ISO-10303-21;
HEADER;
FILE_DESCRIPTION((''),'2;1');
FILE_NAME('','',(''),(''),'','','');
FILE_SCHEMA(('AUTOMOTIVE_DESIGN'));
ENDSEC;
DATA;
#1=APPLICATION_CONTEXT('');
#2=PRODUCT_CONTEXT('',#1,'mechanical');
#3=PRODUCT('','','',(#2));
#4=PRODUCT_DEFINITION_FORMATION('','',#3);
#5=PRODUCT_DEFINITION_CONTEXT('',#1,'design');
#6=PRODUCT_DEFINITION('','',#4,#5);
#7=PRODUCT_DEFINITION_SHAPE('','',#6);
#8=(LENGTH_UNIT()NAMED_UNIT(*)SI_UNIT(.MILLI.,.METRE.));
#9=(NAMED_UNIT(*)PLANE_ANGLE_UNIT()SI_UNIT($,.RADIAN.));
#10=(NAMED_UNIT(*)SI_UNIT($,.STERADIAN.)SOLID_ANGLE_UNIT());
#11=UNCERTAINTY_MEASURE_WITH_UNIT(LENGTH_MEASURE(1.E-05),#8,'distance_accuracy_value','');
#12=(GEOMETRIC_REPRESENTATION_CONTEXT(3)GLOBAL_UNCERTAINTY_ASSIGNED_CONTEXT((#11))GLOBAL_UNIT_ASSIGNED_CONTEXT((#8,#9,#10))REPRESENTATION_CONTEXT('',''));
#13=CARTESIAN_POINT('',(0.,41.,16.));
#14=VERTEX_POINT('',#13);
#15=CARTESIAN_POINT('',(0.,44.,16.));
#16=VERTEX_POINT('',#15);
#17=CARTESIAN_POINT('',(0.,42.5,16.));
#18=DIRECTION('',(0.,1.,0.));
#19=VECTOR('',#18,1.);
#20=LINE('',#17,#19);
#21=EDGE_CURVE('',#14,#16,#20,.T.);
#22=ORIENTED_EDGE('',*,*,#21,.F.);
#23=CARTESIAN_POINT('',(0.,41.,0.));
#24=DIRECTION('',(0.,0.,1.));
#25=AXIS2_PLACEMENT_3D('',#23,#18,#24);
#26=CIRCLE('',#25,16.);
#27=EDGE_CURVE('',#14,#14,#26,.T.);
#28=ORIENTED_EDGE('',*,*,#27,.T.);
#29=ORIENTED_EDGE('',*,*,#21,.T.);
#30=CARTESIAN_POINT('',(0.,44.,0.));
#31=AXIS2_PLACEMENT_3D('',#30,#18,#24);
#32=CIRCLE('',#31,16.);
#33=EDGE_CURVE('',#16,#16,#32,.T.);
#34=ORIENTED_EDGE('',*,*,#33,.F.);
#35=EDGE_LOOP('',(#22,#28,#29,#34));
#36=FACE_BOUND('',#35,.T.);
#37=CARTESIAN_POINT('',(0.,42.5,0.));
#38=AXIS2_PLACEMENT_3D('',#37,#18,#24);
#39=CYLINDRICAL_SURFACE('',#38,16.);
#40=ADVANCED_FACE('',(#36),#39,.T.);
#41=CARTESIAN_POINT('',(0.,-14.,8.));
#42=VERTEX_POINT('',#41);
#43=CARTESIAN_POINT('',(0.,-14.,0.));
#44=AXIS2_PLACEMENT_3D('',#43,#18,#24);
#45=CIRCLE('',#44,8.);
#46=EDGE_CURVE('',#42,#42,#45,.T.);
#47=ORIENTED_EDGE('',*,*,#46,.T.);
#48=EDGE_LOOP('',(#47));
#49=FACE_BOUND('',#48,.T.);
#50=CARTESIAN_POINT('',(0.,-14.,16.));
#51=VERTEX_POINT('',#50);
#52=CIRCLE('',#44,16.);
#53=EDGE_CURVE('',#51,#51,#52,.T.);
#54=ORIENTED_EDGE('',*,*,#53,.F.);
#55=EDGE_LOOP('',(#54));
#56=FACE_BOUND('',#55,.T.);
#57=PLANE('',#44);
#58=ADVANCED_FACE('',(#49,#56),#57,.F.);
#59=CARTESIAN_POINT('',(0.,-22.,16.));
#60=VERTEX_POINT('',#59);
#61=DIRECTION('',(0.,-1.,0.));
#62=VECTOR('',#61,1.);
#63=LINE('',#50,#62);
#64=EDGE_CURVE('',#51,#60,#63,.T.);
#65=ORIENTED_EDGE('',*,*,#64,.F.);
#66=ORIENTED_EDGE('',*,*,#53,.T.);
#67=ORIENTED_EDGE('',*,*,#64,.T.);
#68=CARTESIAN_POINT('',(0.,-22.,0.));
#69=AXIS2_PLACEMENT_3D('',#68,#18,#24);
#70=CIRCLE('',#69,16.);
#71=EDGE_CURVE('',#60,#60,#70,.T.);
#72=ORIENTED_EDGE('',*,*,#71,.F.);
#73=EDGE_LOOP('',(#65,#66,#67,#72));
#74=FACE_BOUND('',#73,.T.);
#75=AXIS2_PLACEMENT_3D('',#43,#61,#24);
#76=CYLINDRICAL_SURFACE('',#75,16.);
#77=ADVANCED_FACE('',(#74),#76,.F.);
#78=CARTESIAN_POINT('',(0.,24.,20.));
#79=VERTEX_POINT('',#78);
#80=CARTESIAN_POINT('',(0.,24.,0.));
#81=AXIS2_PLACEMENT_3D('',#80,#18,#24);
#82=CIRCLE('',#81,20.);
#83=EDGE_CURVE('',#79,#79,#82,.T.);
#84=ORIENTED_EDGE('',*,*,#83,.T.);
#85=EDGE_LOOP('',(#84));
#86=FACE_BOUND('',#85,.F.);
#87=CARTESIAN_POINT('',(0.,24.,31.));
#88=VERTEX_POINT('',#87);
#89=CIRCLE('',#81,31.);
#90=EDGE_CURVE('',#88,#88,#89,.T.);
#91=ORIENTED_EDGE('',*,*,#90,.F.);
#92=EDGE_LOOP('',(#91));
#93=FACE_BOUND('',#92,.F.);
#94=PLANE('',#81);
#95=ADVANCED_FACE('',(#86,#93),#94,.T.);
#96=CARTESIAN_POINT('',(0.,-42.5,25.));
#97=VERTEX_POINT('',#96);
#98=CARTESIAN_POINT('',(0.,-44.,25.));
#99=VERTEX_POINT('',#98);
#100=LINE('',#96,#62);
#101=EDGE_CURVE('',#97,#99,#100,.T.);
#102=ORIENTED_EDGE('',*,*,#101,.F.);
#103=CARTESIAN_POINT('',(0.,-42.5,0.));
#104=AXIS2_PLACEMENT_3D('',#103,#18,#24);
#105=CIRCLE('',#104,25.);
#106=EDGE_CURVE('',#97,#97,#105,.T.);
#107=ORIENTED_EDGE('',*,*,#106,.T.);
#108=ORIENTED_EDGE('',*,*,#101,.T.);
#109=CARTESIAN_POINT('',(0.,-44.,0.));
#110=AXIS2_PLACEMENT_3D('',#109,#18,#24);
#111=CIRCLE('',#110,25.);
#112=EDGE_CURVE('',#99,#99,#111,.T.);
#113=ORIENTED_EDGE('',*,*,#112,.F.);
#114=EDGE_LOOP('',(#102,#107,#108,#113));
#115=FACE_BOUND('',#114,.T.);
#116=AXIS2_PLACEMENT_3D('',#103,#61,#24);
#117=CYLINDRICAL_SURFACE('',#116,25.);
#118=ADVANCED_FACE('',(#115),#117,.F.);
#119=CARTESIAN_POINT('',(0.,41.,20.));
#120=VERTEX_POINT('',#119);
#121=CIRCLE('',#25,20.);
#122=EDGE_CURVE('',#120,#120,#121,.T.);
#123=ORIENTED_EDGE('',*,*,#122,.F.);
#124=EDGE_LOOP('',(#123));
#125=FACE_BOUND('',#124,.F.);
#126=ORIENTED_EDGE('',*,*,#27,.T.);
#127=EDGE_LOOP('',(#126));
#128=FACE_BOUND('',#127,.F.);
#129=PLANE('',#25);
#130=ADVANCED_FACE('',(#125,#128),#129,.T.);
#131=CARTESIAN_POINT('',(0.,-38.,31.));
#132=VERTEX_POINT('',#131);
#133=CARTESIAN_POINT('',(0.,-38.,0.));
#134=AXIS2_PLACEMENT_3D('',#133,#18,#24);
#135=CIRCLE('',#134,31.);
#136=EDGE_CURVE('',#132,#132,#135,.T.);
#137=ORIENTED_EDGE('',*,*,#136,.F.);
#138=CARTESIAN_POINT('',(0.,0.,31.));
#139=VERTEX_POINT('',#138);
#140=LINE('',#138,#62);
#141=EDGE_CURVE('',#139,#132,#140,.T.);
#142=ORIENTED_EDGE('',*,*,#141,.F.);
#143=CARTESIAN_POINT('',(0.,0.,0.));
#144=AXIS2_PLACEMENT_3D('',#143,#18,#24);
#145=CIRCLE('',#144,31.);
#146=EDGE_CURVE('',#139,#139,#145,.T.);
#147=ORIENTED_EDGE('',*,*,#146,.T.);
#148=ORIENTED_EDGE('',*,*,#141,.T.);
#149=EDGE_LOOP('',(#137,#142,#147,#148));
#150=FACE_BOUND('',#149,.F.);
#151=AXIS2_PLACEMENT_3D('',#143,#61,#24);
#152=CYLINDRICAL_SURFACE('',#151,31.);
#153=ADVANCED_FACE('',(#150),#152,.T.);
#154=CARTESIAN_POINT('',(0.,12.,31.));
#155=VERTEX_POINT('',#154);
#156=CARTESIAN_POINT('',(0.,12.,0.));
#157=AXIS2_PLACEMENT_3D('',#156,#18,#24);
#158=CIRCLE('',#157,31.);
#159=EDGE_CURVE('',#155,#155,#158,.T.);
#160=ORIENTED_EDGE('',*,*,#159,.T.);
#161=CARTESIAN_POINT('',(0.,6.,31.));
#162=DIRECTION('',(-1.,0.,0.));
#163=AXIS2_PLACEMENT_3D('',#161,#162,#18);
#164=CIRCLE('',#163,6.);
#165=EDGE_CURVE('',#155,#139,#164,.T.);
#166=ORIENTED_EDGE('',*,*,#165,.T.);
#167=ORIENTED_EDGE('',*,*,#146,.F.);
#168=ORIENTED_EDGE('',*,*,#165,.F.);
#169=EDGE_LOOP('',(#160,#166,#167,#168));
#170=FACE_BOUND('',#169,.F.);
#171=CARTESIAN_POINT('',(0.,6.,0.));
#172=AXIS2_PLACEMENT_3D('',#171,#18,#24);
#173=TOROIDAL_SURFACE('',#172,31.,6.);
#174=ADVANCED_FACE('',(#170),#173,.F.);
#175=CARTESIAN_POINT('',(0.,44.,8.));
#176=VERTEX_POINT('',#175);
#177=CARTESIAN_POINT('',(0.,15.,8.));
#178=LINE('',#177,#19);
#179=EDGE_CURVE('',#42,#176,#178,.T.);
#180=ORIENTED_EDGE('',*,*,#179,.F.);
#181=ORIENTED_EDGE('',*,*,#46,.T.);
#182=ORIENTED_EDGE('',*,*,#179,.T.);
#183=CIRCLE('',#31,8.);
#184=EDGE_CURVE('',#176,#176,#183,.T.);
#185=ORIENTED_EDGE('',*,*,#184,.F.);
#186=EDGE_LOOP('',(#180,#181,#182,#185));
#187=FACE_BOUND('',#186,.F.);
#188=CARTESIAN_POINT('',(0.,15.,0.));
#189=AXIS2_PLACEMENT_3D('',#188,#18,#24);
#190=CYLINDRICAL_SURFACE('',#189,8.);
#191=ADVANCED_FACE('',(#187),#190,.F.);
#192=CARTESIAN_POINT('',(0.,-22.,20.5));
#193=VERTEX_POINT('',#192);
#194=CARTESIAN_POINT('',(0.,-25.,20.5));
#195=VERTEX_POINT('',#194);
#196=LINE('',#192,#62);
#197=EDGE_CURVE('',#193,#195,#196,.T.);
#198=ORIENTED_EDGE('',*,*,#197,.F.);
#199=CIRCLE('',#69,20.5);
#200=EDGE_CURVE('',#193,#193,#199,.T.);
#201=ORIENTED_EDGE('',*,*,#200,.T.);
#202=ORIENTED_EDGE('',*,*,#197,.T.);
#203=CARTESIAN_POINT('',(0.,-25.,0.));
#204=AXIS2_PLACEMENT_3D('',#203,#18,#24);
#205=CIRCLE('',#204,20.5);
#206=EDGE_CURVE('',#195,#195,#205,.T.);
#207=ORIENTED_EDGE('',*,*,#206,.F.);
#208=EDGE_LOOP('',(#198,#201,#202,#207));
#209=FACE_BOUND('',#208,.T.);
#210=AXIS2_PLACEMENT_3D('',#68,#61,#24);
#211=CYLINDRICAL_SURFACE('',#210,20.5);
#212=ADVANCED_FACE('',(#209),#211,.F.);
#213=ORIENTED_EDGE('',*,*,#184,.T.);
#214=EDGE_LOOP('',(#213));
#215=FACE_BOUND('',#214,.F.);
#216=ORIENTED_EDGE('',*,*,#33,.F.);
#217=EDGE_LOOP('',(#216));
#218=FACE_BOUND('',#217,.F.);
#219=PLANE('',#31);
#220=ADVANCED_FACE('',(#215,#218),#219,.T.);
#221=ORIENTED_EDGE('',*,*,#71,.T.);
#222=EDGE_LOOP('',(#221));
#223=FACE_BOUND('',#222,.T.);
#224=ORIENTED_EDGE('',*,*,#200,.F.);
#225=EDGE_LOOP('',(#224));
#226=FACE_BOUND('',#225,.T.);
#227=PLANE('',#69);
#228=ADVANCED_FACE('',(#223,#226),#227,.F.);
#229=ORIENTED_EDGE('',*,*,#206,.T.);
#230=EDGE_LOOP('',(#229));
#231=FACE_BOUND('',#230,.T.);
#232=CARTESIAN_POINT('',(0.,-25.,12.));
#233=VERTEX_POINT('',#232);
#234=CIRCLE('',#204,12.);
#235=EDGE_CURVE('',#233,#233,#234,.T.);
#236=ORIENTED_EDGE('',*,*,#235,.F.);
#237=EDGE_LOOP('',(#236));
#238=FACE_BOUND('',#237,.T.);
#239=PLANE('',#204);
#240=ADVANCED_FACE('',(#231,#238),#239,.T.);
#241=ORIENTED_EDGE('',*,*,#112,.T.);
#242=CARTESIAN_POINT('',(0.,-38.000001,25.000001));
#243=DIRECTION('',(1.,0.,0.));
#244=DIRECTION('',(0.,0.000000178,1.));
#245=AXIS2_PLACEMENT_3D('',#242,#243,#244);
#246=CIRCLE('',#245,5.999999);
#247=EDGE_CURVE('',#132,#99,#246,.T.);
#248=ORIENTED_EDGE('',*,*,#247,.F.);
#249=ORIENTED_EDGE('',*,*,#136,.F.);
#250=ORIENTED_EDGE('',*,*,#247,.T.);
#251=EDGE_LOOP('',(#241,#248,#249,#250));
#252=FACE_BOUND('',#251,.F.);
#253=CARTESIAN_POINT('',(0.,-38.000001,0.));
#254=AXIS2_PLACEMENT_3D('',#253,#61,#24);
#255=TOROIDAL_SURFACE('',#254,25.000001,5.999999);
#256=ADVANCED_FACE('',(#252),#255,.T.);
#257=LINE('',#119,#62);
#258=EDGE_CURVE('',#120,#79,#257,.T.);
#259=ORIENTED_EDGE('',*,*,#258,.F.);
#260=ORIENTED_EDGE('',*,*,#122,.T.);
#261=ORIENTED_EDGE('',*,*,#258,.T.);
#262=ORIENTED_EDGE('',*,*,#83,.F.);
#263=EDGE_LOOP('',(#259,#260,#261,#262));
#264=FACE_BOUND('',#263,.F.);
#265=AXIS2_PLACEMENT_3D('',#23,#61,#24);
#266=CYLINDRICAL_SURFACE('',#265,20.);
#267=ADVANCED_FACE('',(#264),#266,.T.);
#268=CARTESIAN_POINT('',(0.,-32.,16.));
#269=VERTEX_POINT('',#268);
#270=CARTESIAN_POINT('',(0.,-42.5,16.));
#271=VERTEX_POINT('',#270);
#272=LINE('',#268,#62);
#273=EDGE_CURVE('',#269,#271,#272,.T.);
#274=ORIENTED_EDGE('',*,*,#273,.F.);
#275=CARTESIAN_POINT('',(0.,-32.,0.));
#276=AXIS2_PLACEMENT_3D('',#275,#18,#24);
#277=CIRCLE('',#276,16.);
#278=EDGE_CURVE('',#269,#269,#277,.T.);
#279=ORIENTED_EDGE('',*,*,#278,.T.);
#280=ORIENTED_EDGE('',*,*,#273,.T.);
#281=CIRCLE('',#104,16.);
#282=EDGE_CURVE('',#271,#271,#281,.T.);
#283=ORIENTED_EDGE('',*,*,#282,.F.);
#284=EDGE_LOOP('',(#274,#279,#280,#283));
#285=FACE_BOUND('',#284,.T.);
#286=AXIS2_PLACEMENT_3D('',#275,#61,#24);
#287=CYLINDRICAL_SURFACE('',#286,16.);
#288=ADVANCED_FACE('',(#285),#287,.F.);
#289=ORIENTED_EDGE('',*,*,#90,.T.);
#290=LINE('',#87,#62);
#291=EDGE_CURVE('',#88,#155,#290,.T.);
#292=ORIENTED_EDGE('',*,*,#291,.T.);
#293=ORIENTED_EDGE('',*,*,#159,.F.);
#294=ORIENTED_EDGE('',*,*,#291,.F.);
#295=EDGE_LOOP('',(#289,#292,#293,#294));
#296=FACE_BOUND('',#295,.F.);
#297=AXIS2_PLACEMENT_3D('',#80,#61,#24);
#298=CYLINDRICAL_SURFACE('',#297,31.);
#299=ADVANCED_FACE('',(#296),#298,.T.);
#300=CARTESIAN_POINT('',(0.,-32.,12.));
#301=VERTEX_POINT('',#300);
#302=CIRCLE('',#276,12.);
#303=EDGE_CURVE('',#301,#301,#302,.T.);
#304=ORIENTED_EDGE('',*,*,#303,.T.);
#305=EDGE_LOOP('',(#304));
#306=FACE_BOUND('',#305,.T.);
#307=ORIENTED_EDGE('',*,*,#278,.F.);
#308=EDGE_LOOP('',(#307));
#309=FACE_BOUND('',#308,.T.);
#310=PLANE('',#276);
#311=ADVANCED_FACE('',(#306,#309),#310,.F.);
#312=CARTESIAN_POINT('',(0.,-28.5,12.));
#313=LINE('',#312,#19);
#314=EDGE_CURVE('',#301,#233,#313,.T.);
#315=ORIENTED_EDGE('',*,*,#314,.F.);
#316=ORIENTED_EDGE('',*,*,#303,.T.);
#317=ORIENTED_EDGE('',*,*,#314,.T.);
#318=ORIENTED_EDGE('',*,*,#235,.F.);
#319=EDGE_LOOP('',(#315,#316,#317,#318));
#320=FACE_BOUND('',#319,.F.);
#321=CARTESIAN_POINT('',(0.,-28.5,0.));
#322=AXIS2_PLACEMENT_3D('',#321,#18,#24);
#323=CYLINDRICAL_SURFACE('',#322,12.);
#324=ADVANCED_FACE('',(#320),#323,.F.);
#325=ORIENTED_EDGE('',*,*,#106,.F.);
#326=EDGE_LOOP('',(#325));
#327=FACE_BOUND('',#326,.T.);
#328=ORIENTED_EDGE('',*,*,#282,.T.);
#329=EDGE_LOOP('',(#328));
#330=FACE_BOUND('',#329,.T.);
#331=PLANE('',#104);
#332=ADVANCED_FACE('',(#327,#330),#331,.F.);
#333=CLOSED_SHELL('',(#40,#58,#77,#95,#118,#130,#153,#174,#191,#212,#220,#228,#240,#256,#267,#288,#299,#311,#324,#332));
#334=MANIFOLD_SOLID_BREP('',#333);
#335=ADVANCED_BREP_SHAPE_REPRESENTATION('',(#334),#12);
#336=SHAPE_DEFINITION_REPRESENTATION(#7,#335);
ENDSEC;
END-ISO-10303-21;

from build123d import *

# Parameters (mm, degrees)
F0_W   = 3
F0_H   = 16
F2_W   = 7
F2_H   = 12
F2_W_2 = 58
F2_H_2 = 8


with BuildPart() as f1:
    # F0 (on Right) → F1 (revolve)
    with BuildSketch(Plane.YZ):
        with BuildLine():
            Line((-44, 0), (0, 0))
            Line((0, 0), (0, 31))
            Line((0, 31), (-38, 31))
            ThreePointArc((-38, 31), (-42.242641, 29.242641), (-44, 25))
            Line((-44, 25), (-44, 0))
        make_face()
        with BuildLine():
            Line((0, 31), (0, 0))
            Line((0, 0), (12, 0))
            Line((12, 0), (12, 31))
            ThreePointArc((12, 31), (6, 25), (0, 31))
        make_face()
        Polygon((12, 31), (12, 0), (24, 0), (24, 20), (24, 31), align=None)
        Polygon((24, 20), (24, 0), (41, 0), (41, 16), (41, 20), align=None)
        with Locations((42.5, 8)):
            Rectangle(F0_W, F0_H)
    revolve(axis=Axis((0, 6, 0), (0, 1, 0)))

    # F2 (on Right) → F3 (revolve, cut)
    with BuildSketch(Plane.YZ):
        Polygon((-42.5, 25), (-44, 25), (-44, 0), (-42.5, 0), (-42.5, 16), align=None)
        Polygon((-32, 16), (-42.5, 16), (-42.5, 0), (-32, 0), (-32, 12), align=None)
        with Locations((-28.5, 6)):
            Rectangle(F2_W, F2_H)
        Polygon((-25, 12), (-25, 0), (-22, 0), (-22, 16), (-22, 20.5), (-25, 20.5), align=None)
        Polygon((-22, 16), (-22, 0), (-14, 0), (-14, 8), (-14, 16), align=None)
        with Locations((15, 4)):
            Rectangle(F2_W_2, F2_H_2)
    revolve(axis=Axis((0, 15, 0), (0, 1, 0)), mode=Mode.SUBTRACT)


solid = f1.part
